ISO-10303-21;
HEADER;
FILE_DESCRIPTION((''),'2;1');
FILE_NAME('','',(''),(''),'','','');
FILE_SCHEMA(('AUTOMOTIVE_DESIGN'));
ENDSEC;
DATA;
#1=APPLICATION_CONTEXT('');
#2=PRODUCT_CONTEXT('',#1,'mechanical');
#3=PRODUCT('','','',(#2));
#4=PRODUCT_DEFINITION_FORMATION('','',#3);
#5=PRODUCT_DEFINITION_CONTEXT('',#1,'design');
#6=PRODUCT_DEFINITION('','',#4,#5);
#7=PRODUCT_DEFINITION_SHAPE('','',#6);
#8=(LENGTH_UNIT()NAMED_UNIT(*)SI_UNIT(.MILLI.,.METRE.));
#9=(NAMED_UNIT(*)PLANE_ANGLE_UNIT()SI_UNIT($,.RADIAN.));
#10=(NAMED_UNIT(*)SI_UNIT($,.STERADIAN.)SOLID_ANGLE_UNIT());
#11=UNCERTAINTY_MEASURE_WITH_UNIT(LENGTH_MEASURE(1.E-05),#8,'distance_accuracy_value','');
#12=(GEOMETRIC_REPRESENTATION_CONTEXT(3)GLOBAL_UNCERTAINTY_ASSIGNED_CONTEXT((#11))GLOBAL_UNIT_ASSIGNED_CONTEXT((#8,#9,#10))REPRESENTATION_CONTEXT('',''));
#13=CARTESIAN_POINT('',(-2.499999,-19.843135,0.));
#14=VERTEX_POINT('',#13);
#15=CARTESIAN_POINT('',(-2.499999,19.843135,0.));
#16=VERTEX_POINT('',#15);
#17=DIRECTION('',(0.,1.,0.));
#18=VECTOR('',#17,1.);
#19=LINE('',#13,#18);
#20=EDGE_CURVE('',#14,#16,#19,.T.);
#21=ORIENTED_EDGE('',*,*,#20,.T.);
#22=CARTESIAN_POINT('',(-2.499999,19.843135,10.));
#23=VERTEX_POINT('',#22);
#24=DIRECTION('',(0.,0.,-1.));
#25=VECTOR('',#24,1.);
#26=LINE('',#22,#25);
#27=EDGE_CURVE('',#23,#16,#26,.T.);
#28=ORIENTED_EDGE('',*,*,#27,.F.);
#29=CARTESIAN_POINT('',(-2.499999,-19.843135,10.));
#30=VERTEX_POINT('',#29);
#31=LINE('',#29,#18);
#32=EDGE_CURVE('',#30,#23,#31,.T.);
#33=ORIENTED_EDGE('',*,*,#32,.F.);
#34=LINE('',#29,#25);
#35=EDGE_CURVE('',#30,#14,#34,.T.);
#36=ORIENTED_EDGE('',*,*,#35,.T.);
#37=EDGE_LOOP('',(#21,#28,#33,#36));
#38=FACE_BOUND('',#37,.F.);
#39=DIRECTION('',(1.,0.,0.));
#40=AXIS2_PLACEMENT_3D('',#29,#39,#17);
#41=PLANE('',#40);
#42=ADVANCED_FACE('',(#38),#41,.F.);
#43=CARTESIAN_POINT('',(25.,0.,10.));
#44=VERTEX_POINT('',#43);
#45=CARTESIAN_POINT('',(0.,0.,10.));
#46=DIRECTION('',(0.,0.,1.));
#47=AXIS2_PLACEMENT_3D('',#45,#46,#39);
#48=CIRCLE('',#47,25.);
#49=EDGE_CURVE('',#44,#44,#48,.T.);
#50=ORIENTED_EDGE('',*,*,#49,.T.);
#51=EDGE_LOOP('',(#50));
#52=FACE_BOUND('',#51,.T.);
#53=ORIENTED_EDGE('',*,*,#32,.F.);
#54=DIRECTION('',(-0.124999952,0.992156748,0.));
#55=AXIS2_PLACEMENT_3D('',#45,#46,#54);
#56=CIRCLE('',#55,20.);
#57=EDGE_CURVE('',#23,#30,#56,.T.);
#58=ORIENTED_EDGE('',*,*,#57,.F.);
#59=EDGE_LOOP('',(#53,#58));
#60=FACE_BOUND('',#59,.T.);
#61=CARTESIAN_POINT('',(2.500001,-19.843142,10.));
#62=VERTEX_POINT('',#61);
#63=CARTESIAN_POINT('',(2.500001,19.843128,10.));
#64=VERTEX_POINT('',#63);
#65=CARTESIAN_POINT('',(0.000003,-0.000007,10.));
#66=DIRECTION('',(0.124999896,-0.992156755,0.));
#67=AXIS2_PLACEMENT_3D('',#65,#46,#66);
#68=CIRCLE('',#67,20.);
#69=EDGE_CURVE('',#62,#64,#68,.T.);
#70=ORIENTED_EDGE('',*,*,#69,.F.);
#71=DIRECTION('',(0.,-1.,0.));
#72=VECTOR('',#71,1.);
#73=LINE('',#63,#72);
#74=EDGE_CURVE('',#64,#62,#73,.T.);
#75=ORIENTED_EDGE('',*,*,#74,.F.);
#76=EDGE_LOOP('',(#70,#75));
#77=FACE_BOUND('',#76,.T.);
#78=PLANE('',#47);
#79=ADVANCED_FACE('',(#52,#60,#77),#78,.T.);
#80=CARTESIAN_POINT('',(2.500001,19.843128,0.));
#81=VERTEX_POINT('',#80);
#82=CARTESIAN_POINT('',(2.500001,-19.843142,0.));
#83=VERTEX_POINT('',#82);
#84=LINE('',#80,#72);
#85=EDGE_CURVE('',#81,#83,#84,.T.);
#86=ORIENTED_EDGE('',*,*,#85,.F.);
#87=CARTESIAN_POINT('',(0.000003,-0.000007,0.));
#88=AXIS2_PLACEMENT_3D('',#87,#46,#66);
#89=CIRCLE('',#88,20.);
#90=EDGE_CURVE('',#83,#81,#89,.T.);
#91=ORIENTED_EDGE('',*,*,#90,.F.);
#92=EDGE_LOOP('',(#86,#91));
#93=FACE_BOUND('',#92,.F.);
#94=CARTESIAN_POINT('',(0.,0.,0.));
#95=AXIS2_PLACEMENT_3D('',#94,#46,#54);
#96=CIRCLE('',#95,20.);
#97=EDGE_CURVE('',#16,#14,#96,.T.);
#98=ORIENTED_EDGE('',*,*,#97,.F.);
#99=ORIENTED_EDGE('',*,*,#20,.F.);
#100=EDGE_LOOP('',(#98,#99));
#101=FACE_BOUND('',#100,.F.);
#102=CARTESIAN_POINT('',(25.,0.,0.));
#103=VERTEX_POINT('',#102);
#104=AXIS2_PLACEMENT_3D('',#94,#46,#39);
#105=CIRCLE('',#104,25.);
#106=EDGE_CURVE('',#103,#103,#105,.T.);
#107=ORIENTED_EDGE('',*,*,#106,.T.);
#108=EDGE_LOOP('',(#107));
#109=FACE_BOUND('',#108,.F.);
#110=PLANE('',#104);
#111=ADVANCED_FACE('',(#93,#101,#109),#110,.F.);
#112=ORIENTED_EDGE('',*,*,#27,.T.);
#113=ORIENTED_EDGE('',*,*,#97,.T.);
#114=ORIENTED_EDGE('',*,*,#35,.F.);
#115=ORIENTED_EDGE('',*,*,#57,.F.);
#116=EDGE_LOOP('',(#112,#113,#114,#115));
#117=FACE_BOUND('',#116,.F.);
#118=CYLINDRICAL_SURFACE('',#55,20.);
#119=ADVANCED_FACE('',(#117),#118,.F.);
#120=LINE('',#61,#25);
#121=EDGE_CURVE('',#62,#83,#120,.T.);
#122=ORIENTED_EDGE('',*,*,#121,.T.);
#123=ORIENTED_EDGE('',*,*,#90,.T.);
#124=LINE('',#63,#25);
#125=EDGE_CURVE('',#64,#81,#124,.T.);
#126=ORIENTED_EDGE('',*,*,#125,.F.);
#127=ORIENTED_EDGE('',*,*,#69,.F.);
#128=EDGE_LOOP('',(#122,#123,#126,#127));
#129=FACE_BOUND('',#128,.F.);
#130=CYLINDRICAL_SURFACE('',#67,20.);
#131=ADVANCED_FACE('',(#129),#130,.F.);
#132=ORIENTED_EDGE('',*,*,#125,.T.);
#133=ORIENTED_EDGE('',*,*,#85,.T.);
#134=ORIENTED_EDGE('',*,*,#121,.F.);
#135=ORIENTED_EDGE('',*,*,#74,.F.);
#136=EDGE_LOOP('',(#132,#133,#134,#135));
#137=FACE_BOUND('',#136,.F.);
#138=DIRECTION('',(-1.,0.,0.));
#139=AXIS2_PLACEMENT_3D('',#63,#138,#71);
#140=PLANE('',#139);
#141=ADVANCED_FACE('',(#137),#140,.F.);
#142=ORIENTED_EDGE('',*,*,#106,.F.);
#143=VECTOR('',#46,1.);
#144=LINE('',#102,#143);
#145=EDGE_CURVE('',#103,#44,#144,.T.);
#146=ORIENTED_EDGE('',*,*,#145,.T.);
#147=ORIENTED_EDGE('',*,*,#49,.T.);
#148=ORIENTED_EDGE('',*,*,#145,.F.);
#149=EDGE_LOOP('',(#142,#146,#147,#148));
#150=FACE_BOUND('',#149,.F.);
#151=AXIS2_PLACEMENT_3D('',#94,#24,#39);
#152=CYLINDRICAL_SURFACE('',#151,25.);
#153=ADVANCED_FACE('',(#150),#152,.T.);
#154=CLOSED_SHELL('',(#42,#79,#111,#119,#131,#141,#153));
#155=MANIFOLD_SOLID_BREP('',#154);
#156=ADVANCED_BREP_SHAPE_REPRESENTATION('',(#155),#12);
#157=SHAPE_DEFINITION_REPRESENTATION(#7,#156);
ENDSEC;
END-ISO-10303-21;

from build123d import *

# Parameters (mm, degrees)
F0_R     = 25
F1_DEPTH = 10
F3_DEPTH = 10


with BuildPart() as f1:
    # F0 (on Top) → F1 (new body)
    with BuildSketch(Plane.XY):
        Circle(F0_R)
    extrude(amount=F1_DEPTH)

    # F2 (on face) → F3 (cut)
    with BuildSketch(Plane.XY.offset(10)):
        with BuildLine():
            ThreePointArc((-2.499999, 19.843135), (-20, 0), (-2.499999, -19.843135))
            Line((-2.499999, -19.843135), (-2.499999, 19.843135))
        make_face()
        with BuildLine():
            ThreePointArc((2.500001, -19.843142), (20.000003, -7e-06), (2.500001, 19.843128))
            Line((2.500001, 19.843128), (2.500001, -19.843142))
        make_face()
    extrude(amount=-F3_DEPTH, mode=Mode.SUBTRACT)


solid = f1.part
